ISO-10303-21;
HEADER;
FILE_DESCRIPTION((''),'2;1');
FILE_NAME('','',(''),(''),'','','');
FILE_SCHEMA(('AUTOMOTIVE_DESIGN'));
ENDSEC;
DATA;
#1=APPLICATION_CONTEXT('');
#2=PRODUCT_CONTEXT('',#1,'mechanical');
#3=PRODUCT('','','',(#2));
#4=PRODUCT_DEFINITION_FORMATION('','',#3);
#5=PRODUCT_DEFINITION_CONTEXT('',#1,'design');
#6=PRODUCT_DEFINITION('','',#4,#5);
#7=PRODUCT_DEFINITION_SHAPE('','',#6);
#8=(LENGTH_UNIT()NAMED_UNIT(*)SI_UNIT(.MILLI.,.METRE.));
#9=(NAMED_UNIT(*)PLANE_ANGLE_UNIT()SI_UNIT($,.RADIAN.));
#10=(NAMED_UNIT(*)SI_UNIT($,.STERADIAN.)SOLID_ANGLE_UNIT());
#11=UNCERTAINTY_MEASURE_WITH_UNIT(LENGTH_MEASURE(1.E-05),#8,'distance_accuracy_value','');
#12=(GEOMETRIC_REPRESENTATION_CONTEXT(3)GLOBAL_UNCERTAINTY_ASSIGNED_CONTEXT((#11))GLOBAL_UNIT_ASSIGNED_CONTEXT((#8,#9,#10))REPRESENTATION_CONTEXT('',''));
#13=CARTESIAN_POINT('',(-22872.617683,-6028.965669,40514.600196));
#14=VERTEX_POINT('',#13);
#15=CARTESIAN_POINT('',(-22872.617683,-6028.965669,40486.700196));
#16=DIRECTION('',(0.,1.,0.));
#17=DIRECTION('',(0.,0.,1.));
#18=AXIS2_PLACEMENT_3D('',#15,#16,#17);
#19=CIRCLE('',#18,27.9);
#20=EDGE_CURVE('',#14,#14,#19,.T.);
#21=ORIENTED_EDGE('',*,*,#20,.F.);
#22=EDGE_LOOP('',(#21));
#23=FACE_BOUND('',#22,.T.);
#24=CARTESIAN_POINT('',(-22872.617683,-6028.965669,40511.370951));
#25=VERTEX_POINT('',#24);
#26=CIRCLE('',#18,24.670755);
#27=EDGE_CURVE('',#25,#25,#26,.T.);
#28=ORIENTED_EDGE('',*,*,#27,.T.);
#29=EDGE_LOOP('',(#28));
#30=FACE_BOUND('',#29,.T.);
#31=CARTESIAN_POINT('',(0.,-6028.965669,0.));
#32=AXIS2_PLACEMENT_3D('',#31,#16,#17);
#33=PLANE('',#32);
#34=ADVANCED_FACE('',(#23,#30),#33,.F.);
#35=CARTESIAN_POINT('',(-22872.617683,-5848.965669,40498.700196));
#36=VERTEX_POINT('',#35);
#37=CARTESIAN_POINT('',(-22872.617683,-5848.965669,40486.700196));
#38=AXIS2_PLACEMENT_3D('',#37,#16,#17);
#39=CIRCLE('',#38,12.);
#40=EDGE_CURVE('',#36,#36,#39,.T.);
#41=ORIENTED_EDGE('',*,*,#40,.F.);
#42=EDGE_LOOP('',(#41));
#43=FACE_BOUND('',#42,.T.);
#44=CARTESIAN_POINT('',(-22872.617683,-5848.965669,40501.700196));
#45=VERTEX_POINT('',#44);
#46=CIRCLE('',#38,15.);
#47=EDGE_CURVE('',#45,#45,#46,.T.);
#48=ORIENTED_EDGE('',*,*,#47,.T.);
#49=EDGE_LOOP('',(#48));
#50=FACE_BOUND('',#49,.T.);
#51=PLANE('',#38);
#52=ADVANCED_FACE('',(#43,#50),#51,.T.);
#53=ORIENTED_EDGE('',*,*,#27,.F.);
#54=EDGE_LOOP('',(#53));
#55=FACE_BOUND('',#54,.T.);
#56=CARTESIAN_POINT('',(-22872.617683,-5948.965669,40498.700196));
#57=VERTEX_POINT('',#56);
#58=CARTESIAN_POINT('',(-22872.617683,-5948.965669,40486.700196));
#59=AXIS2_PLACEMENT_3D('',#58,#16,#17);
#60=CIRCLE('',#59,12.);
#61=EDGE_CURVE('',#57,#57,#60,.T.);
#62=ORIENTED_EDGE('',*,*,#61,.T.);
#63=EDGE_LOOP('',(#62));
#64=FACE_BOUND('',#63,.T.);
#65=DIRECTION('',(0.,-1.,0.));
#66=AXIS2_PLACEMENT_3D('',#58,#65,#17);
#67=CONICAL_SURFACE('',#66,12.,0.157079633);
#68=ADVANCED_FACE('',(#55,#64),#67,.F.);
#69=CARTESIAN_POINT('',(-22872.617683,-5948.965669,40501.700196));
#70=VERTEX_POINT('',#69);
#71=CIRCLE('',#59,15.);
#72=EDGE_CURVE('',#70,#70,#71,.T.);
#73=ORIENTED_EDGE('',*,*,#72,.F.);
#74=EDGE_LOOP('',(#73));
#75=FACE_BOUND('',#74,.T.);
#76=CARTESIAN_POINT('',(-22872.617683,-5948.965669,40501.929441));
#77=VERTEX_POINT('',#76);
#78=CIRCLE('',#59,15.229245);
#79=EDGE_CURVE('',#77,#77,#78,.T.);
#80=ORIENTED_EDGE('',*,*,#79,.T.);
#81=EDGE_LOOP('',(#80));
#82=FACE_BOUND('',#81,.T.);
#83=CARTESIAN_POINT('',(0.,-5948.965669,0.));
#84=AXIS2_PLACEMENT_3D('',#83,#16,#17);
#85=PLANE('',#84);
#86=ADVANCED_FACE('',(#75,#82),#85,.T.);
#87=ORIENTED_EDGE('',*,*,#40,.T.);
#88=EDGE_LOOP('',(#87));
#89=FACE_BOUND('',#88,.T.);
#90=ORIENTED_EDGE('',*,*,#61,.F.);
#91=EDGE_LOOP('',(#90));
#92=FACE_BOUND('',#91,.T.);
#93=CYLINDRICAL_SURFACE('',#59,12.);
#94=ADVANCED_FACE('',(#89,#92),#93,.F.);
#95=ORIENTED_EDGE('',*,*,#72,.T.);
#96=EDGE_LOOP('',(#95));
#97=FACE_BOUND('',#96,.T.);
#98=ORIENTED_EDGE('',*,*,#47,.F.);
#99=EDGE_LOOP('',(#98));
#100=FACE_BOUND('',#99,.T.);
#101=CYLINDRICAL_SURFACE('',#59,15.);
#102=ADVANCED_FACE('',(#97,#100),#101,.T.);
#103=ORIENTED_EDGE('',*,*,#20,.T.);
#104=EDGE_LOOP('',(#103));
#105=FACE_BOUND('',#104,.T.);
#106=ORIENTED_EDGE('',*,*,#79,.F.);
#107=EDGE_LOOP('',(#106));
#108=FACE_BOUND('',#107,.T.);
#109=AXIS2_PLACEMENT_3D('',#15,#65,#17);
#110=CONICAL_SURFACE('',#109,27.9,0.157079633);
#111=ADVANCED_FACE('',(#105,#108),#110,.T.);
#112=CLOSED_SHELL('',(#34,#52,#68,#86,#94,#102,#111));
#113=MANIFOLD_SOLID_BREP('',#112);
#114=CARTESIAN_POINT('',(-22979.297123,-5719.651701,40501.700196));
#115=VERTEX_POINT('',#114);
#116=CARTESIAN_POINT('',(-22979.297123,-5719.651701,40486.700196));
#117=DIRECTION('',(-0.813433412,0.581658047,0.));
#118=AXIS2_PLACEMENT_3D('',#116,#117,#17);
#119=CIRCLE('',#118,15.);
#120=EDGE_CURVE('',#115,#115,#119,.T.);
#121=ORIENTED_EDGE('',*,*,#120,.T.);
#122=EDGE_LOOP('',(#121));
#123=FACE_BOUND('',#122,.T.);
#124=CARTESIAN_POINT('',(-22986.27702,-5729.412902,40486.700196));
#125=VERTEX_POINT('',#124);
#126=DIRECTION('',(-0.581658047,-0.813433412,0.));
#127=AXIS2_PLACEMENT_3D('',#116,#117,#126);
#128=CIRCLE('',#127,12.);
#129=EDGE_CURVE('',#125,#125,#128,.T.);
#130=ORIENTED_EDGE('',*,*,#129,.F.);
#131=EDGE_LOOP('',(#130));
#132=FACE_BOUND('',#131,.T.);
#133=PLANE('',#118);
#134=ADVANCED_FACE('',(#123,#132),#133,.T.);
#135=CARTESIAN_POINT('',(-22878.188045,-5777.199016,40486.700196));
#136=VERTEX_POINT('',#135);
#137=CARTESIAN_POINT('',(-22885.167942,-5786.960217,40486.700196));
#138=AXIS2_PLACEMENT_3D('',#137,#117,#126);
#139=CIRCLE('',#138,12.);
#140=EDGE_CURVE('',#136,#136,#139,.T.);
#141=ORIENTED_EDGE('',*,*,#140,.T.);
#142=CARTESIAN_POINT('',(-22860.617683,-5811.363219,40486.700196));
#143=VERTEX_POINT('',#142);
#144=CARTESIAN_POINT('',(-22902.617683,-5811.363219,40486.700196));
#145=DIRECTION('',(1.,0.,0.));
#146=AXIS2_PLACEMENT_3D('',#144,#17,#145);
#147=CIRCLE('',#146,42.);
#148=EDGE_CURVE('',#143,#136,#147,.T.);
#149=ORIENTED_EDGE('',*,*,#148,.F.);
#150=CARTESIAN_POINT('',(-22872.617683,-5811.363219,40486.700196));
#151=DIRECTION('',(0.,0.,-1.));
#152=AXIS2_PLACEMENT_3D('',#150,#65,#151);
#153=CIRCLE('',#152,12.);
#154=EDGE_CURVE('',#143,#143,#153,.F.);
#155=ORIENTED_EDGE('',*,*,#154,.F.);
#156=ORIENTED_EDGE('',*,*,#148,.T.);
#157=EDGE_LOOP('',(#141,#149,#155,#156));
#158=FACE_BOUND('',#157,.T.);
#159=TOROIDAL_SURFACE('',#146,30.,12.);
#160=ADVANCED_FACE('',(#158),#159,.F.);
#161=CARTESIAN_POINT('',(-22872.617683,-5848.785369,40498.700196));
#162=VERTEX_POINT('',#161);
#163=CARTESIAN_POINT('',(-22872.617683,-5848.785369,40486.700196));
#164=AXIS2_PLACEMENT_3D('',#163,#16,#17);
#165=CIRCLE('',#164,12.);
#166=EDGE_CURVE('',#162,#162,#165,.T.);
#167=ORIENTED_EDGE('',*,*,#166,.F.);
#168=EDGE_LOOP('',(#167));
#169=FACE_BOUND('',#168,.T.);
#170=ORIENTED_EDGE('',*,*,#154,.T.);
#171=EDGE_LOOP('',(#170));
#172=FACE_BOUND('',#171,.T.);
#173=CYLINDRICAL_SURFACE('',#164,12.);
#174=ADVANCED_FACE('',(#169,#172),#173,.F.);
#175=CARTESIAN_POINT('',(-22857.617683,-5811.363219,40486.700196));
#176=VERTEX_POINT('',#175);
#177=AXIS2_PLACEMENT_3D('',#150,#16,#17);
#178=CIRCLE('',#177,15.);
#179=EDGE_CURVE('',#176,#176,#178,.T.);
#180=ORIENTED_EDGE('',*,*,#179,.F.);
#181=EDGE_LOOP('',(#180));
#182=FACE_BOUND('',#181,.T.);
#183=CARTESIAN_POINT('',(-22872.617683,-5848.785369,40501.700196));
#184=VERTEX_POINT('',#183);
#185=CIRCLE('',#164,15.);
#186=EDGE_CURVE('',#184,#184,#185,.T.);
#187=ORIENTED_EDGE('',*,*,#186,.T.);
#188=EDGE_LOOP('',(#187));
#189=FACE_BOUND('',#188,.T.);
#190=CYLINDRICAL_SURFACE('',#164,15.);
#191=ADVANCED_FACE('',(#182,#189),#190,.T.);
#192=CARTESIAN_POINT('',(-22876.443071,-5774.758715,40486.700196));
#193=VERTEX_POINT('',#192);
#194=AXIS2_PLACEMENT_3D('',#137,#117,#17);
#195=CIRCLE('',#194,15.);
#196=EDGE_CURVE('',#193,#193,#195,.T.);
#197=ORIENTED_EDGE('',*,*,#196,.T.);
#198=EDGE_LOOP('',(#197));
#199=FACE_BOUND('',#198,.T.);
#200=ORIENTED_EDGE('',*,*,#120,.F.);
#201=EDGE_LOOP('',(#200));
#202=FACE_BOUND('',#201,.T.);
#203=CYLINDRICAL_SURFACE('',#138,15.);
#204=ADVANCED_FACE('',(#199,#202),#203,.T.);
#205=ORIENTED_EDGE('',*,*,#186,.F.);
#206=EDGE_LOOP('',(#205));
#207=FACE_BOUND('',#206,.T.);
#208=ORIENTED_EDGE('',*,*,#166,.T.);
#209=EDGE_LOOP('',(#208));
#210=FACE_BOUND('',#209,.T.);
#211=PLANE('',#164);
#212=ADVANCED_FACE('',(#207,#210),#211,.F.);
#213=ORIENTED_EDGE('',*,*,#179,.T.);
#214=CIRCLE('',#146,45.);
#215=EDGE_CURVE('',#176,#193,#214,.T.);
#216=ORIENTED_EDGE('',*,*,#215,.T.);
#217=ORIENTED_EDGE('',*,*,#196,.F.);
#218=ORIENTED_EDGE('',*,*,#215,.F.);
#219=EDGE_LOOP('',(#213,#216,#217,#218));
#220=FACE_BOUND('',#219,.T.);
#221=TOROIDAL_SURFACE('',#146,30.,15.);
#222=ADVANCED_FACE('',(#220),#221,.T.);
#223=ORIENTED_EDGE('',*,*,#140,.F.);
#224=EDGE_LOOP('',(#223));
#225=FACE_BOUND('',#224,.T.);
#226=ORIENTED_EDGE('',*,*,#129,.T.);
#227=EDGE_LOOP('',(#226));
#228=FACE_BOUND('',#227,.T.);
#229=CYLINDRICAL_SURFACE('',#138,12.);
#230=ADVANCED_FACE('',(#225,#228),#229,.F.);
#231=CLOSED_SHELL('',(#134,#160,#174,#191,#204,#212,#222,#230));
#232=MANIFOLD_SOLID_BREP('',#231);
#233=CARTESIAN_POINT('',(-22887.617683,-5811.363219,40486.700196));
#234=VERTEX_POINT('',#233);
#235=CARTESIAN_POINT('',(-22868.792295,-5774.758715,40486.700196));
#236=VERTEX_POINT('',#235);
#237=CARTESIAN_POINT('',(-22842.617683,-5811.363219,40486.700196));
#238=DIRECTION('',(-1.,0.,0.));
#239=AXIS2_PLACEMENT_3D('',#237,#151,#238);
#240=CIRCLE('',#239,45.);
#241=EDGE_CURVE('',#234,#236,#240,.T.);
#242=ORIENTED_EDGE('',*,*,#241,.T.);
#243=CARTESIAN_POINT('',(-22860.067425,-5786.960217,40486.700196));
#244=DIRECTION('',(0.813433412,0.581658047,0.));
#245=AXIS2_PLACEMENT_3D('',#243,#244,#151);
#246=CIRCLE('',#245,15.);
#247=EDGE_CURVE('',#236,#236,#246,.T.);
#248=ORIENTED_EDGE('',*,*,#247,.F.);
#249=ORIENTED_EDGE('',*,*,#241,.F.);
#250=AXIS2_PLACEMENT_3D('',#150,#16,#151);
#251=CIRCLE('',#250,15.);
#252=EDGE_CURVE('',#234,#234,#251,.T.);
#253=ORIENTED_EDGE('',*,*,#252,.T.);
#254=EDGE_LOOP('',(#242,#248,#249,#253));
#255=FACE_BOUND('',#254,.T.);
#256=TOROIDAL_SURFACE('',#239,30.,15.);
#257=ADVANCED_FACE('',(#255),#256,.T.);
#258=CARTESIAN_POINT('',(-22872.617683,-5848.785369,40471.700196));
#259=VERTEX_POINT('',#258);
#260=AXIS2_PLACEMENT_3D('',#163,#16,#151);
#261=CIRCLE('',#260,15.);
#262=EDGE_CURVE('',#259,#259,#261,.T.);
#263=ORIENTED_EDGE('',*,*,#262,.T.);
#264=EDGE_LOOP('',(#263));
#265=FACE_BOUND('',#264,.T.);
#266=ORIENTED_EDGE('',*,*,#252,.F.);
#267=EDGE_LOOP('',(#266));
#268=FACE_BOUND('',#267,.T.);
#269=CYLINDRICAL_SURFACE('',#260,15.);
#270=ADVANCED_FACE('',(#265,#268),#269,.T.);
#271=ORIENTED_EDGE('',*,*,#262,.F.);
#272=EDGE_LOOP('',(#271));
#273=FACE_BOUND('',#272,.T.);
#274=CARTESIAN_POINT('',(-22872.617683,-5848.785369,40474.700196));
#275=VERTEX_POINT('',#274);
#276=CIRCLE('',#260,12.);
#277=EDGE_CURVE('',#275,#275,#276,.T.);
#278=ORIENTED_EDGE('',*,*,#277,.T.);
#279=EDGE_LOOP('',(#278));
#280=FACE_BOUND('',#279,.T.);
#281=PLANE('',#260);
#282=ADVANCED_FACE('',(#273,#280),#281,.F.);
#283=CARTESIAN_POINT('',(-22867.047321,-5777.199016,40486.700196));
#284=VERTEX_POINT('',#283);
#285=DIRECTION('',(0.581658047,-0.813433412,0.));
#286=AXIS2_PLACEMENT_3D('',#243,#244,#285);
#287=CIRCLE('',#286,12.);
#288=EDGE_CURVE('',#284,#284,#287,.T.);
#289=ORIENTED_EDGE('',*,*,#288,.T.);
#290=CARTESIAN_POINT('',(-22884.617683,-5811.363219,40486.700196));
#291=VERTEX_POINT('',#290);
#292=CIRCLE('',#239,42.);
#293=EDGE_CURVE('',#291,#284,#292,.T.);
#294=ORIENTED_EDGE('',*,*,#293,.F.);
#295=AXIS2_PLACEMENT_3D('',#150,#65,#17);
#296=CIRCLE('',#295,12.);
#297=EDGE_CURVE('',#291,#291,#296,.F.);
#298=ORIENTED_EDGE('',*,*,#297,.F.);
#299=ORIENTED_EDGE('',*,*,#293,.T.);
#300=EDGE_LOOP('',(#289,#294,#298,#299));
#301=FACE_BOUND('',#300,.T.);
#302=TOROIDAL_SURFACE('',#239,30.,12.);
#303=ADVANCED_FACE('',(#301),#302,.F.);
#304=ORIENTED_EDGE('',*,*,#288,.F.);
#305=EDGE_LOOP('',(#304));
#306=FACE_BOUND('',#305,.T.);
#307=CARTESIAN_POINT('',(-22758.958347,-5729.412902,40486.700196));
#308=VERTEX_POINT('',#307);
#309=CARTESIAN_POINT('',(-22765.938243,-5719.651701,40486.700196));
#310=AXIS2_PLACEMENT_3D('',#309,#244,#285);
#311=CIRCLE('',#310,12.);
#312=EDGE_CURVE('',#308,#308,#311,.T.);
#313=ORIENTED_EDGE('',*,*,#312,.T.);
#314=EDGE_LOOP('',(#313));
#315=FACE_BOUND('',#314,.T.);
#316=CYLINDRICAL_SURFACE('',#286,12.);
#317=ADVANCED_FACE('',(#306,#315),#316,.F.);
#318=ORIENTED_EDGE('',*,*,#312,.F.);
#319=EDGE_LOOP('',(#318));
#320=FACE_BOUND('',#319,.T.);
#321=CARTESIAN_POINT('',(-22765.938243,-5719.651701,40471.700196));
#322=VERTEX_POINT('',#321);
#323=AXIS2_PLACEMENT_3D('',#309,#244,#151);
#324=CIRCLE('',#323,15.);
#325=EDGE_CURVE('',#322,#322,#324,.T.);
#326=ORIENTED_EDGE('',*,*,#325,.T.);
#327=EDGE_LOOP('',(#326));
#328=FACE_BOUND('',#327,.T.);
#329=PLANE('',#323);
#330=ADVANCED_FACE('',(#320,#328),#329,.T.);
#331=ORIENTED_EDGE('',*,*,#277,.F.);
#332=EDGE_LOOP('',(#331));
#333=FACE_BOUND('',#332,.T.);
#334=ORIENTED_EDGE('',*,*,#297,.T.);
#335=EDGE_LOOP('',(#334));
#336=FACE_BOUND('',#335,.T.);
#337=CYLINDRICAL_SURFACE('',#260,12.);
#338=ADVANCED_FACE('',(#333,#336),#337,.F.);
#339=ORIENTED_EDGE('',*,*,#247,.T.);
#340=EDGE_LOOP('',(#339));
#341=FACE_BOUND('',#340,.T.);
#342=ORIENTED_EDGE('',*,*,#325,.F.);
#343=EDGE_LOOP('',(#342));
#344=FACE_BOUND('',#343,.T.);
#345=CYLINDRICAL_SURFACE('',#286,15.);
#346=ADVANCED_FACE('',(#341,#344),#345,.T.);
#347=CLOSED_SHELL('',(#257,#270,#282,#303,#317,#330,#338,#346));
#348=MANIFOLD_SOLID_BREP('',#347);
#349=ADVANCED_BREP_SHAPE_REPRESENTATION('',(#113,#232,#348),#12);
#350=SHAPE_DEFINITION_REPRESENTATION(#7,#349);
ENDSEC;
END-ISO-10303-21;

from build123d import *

# Parameters (mm, degrees)
SKETCH1_R               = 27.9
BOSS_EXTRUDE1_DEPTH     = 80
BOSS_EXTRUDE1_TAPER     = 9
SKETCH2_R               = 12
CUT_EXTRUDE1_DEPTH      = 80
CUT_EXTRUDE1_DRAFT      = 9
SWEEP_THIN1_PROFILE_R   = 15
SWEEP_THIN1_PROFILE_R_2 = 12
SWEEP_THIN3_PROFILE_R   = 15
SWEEP_THIN3_PROFILE_R_2 = 12
CIRPATTERN1_COUNT       = 2


with BuildPart() as part:
    # Sketch1 → Boss-Extrude1 (new body)
    with BuildSketch(Plane(origin=(0, -6028.96566858, 0), x_dir=(1, 0, 0), z_dir=(0, 1, 0))):
        with Locations((-22872.617683291, -40486.700195766)):
            Circle(SKETCH1_R)
    extrude(amount=BOSS_EXTRUDE1_DEPTH, taper=BOSS_EXTRUDE1_TAPER)


with BuildPart() as cut_extrude1_tool:
    # Sketch2 → Cut-Extrude1 (with draft: the straight prism first)
    with BuildSketch(Plane(origin=(0, -5948.96566858, 0), x_dir=(1, 0, 0), z_dir=(0, 1, 0))):
        with Locations((-22872.617683291, -40486.700195766)):
            Circle(SKETCH2_R)
    extrude(amount=-CUT_EXTRUDE1_DEPTH)
    # Cut-Extrude1: the draft: its side faces are tilted about the plane it starts from
    cut_extrude1_sides = [cut_extrude1_tool.faces().sort_by_distance(p)[0] for p in [
        (-22884.617683291, -5988.96566858, 40486.700195766),
    ]]
    draft(cut_extrude1_sides, Plane(origin=(0, -5948.96566858, 0), x_dir=(1, 0, 0), z_dir=(0, 1, 0)), CUT_EXTRUDE1_DRAFT)


with BuildPart() as part_1:
    add(part.part)

    # Cut-Extrude1: cut by cut_extrude1_tool
    add(cut_extrude1_tool.part, mode=Mode.SUBTRACT)

    # Sweep-Thin1: sweep along a curve in space
    with BuildLine() as sweep_thin1_path:
        Line((-22872.617683291, -5948.96566858, 40486.700195766), (-22872.617683291, -5848.96566858, 40486.700195766))
    # Sweep-Thin1 profile (on start of the path) → Sweep-Thin1 (sweep)
    with BuildSketch(Plane(origin=(-22872.617683291, -5948.96566858, 40486.700195766), x_dir=(0, 0, 1), z_dir=(0, 1, 0))):
        Circle(SWEEP_THIN1_PROFILE_R)
        Circle(SWEEP_THIN1_PROFILE_R_2, mode=Mode.SUBTRACT)
    sweep(path=sweep_thin1_path.line)


with BuildPart() as body_2:
    # Sweep-Thin3: sweep along a curve in space
    with BuildLine() as sweep_thin3_path:
        Line((-22885.16794187, -5786.960216658, 40486.700195766), (-22979.29712317, -5719.651700705, 40486.700195766))
        ThreePointArc((-22872.617683291, -5811.363219021, 40486.700195766), (-22875.93911284, -5797.64265494, 40486.700195766), (-22885.16794187, -5786.960216658, 40486.700195766))
        Line((-22872.617683291, -5848.785369489, 40486.700195766), (-22872.617683291, -5811.363219021, 40486.700195766))
    # Sweep-Thin3 profile (on start of the path) → Sweep-Thin3 (sweep)
    with BuildSketch(Plane(origin=(-22872.617683291, -5848.785369489, 40486.700195766), x_dir=(0, 0, 1), z_dir=(0, 1, 0))):
        Circle(SWEEP_THIN3_PROFILE_R)
        Circle(SWEEP_THIN3_PROFILE_R_2, mode=Mode.SUBTRACT)
    sweep(path=sweep_thin3_path.line)


with BuildPart() as cirpattern1_1:
    # CirPattern1: pattern copy
    add(body_2.part.rotate(Axis((-22872.617683291, -5848.96566858, 40486.700195766), (0, 1, 0)), 1 * 360 / CIRPATTERN1_COUNT))


solid = Compound([part_1.part, body_2.part, cirpattern1_1.part])
